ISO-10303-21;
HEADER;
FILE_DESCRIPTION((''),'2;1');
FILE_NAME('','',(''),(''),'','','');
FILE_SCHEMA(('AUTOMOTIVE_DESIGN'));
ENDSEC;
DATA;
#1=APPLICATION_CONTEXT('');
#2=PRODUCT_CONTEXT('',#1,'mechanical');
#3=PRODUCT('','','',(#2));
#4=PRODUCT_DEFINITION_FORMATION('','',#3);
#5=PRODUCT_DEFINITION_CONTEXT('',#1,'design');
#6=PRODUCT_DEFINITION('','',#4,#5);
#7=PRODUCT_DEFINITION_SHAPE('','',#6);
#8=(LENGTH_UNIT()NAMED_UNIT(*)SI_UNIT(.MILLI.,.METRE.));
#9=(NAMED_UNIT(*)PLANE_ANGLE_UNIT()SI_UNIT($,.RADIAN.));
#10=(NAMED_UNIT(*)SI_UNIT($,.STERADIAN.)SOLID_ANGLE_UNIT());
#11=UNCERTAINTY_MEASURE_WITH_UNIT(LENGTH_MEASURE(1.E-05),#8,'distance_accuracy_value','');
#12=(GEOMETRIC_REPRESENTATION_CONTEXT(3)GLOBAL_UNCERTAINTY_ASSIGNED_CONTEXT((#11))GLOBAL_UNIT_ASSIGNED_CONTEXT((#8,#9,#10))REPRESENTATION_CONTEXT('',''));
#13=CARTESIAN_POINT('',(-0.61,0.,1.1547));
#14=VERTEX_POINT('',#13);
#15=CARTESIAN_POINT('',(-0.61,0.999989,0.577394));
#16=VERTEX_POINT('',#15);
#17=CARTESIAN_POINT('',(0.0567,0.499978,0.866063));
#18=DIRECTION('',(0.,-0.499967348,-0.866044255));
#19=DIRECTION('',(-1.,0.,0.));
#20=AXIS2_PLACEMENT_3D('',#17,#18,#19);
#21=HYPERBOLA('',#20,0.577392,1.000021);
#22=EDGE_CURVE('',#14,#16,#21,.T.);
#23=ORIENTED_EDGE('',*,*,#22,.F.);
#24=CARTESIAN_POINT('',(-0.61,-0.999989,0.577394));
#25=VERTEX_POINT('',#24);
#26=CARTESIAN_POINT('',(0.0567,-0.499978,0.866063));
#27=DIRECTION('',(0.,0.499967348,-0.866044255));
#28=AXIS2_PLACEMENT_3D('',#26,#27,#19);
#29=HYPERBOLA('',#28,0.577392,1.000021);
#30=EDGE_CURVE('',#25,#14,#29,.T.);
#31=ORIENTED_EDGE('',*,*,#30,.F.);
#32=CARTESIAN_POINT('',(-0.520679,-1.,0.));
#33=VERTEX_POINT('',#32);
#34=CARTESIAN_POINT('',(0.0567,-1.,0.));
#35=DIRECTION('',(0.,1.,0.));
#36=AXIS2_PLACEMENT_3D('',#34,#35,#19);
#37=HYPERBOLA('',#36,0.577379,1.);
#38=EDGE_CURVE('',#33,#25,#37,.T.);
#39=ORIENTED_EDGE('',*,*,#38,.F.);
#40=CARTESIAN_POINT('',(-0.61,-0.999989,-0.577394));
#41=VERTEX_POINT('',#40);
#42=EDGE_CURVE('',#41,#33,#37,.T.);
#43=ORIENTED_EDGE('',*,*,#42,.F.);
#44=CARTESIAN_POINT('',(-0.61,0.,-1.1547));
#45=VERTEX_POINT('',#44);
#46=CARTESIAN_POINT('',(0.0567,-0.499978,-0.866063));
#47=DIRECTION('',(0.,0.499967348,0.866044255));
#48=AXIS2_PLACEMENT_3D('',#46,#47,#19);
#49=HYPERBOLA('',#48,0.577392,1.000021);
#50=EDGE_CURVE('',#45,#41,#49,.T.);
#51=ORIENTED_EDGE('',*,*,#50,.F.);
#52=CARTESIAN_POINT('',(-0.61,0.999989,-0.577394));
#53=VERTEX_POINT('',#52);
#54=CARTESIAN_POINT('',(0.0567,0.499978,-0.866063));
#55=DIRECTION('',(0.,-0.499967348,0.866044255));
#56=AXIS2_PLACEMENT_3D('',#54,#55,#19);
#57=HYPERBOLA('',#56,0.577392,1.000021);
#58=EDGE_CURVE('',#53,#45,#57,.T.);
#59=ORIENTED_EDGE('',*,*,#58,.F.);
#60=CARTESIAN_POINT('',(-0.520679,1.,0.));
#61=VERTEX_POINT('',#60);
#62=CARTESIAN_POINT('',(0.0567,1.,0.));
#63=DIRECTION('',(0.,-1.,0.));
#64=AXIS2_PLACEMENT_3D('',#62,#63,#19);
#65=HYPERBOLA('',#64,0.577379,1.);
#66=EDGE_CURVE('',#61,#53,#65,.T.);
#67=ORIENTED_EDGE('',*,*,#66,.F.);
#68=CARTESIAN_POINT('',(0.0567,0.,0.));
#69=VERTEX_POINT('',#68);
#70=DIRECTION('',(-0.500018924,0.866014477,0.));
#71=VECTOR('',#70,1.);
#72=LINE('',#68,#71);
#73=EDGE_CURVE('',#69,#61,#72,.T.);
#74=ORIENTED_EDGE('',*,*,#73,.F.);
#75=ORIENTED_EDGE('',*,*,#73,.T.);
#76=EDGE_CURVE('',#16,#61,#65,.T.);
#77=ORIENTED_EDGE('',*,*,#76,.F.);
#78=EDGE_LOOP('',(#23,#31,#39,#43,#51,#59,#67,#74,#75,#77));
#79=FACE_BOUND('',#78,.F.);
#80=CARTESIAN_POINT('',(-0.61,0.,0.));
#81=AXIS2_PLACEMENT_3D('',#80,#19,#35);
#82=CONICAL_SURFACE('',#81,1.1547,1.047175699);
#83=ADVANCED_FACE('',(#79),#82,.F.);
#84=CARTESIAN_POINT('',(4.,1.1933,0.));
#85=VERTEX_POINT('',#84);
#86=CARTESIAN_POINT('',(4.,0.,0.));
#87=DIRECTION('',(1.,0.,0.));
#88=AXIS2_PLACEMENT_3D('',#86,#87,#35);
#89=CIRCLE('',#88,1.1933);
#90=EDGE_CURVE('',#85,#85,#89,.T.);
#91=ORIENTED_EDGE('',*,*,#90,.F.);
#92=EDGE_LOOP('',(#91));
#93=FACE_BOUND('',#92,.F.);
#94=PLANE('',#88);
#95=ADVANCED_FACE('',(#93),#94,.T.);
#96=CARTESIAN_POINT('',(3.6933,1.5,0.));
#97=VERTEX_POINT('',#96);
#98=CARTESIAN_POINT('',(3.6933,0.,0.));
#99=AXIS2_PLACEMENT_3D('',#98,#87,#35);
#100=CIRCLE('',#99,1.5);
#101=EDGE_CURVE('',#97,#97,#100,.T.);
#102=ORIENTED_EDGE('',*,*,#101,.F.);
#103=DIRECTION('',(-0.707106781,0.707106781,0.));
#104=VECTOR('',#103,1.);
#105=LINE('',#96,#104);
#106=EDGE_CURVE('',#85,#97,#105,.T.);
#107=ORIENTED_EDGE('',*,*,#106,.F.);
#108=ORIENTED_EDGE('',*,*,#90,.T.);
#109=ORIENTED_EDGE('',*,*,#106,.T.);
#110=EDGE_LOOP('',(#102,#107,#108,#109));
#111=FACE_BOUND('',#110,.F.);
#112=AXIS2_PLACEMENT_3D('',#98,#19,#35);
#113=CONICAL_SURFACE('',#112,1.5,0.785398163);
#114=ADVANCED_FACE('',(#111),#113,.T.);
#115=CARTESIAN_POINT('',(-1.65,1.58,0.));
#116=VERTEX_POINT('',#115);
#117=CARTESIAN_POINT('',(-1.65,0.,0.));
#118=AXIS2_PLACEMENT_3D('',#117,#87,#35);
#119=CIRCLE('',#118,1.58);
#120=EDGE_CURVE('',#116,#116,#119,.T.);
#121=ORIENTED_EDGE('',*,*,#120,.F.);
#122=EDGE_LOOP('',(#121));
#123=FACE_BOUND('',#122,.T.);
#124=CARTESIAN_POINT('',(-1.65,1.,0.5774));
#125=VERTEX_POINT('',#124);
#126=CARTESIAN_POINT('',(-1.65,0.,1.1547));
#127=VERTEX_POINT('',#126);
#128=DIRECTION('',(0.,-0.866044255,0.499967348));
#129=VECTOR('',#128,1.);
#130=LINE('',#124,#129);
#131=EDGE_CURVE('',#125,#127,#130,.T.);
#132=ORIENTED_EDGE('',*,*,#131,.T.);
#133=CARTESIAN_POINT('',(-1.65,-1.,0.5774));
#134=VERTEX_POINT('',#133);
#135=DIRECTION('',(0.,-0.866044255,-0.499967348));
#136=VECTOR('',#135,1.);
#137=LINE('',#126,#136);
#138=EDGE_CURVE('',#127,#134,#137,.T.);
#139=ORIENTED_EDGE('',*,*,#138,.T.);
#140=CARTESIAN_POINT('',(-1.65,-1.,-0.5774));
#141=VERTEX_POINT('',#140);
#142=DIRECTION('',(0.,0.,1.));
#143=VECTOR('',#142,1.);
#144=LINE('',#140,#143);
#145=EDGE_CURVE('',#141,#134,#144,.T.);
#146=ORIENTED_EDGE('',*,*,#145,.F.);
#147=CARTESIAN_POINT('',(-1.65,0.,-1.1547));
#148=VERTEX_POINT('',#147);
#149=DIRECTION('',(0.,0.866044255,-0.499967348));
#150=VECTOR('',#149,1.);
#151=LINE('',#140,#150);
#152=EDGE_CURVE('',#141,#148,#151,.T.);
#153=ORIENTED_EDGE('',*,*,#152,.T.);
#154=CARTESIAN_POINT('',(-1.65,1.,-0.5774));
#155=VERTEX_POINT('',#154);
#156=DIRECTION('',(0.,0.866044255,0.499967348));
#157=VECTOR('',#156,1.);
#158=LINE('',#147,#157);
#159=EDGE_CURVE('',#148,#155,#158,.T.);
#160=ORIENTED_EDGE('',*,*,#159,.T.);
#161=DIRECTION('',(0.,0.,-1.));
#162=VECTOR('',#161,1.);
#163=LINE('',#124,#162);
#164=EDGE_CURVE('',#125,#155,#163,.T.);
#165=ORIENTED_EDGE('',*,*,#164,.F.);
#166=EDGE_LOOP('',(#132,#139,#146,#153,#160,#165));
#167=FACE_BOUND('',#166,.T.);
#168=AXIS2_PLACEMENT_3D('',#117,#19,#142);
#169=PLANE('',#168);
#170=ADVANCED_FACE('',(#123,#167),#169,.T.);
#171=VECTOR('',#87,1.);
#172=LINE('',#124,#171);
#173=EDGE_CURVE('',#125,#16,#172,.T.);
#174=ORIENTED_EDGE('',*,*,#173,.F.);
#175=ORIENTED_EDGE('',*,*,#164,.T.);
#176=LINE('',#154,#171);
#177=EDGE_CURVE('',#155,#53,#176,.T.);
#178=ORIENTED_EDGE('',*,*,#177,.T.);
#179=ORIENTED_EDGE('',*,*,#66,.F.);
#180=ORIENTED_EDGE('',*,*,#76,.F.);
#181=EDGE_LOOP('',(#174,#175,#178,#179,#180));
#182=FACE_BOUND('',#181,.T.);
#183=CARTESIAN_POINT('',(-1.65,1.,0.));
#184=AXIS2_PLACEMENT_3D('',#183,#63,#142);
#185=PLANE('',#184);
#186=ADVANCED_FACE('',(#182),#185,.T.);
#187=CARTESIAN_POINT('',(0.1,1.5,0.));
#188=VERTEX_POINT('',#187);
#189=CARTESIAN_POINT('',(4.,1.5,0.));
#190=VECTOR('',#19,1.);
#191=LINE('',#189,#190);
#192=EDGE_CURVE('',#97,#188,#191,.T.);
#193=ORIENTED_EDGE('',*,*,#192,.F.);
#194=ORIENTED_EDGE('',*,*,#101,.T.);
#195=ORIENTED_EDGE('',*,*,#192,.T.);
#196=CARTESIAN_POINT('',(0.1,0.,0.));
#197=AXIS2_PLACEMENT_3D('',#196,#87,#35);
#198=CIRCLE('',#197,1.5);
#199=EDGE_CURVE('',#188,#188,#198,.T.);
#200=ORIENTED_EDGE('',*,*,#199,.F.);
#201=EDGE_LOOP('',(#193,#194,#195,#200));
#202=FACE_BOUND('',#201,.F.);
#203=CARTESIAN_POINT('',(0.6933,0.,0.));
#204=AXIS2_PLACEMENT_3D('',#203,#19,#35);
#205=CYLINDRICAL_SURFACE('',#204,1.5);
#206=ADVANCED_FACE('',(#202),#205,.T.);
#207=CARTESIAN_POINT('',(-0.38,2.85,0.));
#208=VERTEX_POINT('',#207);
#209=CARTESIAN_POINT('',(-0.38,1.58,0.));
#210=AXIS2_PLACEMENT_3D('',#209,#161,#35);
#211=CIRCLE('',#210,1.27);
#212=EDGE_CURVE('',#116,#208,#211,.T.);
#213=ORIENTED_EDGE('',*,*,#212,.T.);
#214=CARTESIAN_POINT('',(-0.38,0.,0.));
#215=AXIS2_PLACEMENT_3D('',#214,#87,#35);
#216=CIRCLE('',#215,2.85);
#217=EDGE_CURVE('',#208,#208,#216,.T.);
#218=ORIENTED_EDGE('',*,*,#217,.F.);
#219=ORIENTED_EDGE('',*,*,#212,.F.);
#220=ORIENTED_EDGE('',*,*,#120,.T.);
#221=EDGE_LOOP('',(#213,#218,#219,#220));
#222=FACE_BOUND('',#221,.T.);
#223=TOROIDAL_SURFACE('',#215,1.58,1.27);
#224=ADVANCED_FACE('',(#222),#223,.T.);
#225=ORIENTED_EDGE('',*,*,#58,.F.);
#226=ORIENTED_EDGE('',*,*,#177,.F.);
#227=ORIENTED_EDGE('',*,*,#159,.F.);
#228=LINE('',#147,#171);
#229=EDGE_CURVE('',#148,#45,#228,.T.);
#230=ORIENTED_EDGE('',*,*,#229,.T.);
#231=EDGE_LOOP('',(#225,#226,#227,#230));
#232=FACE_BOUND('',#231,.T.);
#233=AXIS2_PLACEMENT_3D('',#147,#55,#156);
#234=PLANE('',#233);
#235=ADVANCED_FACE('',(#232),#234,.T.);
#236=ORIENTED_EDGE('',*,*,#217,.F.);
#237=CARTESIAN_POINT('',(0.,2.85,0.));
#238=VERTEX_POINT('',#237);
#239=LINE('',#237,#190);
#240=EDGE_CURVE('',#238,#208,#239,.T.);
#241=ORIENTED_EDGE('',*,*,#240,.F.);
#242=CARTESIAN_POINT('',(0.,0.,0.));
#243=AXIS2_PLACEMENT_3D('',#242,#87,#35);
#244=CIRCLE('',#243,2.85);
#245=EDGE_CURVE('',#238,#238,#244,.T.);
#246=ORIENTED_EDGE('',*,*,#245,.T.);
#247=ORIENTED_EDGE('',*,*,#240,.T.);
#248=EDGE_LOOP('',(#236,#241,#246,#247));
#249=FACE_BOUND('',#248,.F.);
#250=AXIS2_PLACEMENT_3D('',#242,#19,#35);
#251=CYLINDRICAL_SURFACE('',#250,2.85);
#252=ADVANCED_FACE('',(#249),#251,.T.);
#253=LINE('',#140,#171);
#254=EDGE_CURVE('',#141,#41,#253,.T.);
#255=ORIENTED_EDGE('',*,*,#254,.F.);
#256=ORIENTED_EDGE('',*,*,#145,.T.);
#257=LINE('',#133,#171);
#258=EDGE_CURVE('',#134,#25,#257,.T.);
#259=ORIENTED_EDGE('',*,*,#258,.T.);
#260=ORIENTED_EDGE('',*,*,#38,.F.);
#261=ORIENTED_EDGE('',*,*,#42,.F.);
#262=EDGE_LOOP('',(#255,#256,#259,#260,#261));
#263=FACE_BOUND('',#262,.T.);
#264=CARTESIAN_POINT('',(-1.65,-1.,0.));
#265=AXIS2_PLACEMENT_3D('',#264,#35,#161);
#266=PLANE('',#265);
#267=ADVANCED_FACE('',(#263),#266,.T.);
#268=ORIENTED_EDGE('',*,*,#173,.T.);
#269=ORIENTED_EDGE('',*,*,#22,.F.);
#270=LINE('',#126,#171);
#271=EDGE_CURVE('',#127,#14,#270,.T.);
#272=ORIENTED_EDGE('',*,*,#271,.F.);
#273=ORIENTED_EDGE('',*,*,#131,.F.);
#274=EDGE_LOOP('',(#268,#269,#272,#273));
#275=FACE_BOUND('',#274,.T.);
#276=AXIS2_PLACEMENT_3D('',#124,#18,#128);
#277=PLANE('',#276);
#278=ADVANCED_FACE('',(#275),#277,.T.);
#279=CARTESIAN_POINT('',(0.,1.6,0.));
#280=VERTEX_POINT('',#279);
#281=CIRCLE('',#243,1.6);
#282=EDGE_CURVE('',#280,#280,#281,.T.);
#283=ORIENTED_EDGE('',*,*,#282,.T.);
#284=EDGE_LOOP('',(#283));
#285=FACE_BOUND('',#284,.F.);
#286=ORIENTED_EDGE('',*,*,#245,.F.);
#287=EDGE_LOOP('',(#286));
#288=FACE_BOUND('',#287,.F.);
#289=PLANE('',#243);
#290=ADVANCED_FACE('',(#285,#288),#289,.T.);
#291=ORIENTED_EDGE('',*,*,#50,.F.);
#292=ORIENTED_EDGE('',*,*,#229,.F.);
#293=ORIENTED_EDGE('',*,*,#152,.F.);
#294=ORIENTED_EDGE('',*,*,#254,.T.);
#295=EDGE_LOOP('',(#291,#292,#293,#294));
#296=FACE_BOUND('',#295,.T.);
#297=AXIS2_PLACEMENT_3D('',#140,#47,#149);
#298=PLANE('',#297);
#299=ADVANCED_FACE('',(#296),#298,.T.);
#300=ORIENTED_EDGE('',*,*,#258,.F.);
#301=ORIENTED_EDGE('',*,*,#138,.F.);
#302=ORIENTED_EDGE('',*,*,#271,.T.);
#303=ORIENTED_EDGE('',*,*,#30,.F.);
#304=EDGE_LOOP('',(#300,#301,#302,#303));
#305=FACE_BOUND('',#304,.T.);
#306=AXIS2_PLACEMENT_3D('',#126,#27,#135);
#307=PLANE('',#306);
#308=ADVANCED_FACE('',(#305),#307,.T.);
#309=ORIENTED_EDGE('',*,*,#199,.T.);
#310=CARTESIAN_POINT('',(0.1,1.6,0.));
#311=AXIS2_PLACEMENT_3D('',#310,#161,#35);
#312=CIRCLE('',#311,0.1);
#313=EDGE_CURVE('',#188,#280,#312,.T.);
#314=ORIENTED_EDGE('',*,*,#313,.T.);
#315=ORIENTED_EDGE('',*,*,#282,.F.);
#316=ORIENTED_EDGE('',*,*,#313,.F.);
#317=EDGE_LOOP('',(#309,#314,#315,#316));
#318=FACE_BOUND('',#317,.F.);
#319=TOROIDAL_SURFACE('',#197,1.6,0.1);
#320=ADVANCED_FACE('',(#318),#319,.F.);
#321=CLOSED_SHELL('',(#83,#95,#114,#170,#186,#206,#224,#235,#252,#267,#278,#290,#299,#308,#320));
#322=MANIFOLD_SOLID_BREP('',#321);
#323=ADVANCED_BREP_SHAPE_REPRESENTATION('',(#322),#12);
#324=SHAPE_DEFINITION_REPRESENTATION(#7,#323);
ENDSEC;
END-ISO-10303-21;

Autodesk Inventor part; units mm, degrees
ref_plane "YZ Plane" through (0, 0, 0) normal (1, 0, 0) x (0, 1, 0)
ref_plane "XZ Plane" through (0, 0, 0) normal (0, 1, 0) x (-1, 0, 0)
sketch "Sketch1" plane through (0, 0, 0) normal (0, 0, 1) x (1, 0, 0)
  line L0 (0.0567, 0) -> (4, 0)
  line L1 (4, 0) -> (4, 1.5)
  line L2 (4, 1.5) -> (1, 1.5)
  line L3 (1, 1.5) -> (0.6933, 1.5)
  line L4 (0.6933, 1.5) -> (0, 1.5)
  line L5 (0, 1.5) -> (0, 2.85)
  line L6 (0, 2.85) -> (-1.65, 2.85)
  line L7 (-1.65, 2.85) -> (-1.65, 1.1547)
  line L8 (-1.65, 1.1547) -> (-0.61, 1.1547)
  line L9 (-0.61, 1.1547) -> (0.0567, 0)
  line L10 (-2.78, 0) -> (5.13, 0) projected
  line L11 (0, -0.57) -> (0, 3.42) projected
  line L12 (1, 1.5) -> (0, 1.5) construction
  dimension "d0" = 3
  dimension "d1" = 0.3067
  dimension "d2" = 1.65
  dimension "d3" = 1.04
  dimension "d4" = 60
  dimension "d5" = 3
  dimension "d6" = 3
  dimension "d7" = 2.3094
  dimension "d8" = 5.7
  dimension "d19" = 4
revolve "Body" add sketch "Sketch1" angle 360 about axis through (0.0567, 0, 0) along (1, 0, 0) contours L9 L11 L4 L3 L2 L1 L0 | L9 L8 L7 L6 L5 L11
sketch "Sketch2" plane through (-1.65, 0, 0) normal (-1, 0, 0) x (0, 0, 1)
  circle A0 centre (0, 0) radius 1.1547 projected
  line L0 (0, -3.99) -> (0, 3.99) projected
  line L1 (-3.99, 0) -> (3.99, 0) projected
  line L2 (1.1547, 0) -> (0.5774, -1)
  line L3 (0.5774, -1) -> (-0.5774, -1)
  line L4 (-0.5774, -1) -> (-1.1547, 0)
  line L5 (-1.1547, 0) -> (-0.5774, 1)
  line L6 (-0.5774, 1) -> (0.5774, 1)
  line L7 (0.5774, 1) -> (1.1547, 0)
extrude "Slot" add sketch "Sketch2" against normal up to next contours L7 A0 | A0 L2 | L6 L0 A0 | A0 L0 L3 | L0 L6 A0 | A0 L3 L0 | L4 A0 | A0 L5
fillet "Fillet1" radius 1.27 1 edges at (-1.65, -2.85, 0)
thread "Thread" size "M3x0.5" class "4g6g" standard "ANSI Metric M Profile" length 3
chamfer "Chamfer1" distance 0.3067 distance2 0.3067 1 edges at (4, -1.5, 0) measured on face at (4, -0.2617, -0.7882)
fillet "Fillet2" radius 0.1 1 edges at (0, -1.5, 0)
ref_plane "Work Plane1" through (30, 0, 0) normal (0, -0.5, 0.866) x (1, 0, 0)
equation "\"d0\" = GEL"
equation "\"d1\" = GAL"
equation "\"d2\" = KOH"
equation "\"d3\" = INTI"
equation "\"d5\" = GD"
equation "\"d6\" = BDM"
equation "\"d7\" = 1.1547 * SW"
equation "\"d8\" = KOD"
equation "\"d19\" = NLG"
equation "\"d16\" = RR"
equation "\"d12\" = GEL"
equation "\"d14\" = -0.5 * SPD + 0.5 * GD"
equation "\"d15\" = GUL"
equation "\"d29\" = R"
equation "\"GD\" = NND"
equation "\"NLG\" = 4"
equation "\"GEL\" = 3"
equation "\"KOD\" = 5.7"
equation "\"KOH\" = 1.65"
equation "\"INTI\" = 1.04"
equation "\"GAL\" = 0.61345 * PTC"
equation "\"GUL\" = 0.61345 * PTC"
equation "\"BDM\" = NND"
equation "\"SW\" = 2"
equation "\"RR\" = 1.27"
equation "\"SPD\" = 2.38655"
equation "\"d28\" = R"
equation "\"R\" = 0.1"
equation "\"TOA\" = 30deg"
equation "\"THREADDIA\" = 3"
equation "\"KOD1\" = KOD - 2 * RR"
equation "\"PTC\" = 0.5"
equation "\"NND\" = 3"
equation "\"E0\" = 1.155 * SW"
equation "\"GD1\" = THREADDIA - 1.2269 * PTC"
properties part number "11_3104" material "Steel, Mild"
